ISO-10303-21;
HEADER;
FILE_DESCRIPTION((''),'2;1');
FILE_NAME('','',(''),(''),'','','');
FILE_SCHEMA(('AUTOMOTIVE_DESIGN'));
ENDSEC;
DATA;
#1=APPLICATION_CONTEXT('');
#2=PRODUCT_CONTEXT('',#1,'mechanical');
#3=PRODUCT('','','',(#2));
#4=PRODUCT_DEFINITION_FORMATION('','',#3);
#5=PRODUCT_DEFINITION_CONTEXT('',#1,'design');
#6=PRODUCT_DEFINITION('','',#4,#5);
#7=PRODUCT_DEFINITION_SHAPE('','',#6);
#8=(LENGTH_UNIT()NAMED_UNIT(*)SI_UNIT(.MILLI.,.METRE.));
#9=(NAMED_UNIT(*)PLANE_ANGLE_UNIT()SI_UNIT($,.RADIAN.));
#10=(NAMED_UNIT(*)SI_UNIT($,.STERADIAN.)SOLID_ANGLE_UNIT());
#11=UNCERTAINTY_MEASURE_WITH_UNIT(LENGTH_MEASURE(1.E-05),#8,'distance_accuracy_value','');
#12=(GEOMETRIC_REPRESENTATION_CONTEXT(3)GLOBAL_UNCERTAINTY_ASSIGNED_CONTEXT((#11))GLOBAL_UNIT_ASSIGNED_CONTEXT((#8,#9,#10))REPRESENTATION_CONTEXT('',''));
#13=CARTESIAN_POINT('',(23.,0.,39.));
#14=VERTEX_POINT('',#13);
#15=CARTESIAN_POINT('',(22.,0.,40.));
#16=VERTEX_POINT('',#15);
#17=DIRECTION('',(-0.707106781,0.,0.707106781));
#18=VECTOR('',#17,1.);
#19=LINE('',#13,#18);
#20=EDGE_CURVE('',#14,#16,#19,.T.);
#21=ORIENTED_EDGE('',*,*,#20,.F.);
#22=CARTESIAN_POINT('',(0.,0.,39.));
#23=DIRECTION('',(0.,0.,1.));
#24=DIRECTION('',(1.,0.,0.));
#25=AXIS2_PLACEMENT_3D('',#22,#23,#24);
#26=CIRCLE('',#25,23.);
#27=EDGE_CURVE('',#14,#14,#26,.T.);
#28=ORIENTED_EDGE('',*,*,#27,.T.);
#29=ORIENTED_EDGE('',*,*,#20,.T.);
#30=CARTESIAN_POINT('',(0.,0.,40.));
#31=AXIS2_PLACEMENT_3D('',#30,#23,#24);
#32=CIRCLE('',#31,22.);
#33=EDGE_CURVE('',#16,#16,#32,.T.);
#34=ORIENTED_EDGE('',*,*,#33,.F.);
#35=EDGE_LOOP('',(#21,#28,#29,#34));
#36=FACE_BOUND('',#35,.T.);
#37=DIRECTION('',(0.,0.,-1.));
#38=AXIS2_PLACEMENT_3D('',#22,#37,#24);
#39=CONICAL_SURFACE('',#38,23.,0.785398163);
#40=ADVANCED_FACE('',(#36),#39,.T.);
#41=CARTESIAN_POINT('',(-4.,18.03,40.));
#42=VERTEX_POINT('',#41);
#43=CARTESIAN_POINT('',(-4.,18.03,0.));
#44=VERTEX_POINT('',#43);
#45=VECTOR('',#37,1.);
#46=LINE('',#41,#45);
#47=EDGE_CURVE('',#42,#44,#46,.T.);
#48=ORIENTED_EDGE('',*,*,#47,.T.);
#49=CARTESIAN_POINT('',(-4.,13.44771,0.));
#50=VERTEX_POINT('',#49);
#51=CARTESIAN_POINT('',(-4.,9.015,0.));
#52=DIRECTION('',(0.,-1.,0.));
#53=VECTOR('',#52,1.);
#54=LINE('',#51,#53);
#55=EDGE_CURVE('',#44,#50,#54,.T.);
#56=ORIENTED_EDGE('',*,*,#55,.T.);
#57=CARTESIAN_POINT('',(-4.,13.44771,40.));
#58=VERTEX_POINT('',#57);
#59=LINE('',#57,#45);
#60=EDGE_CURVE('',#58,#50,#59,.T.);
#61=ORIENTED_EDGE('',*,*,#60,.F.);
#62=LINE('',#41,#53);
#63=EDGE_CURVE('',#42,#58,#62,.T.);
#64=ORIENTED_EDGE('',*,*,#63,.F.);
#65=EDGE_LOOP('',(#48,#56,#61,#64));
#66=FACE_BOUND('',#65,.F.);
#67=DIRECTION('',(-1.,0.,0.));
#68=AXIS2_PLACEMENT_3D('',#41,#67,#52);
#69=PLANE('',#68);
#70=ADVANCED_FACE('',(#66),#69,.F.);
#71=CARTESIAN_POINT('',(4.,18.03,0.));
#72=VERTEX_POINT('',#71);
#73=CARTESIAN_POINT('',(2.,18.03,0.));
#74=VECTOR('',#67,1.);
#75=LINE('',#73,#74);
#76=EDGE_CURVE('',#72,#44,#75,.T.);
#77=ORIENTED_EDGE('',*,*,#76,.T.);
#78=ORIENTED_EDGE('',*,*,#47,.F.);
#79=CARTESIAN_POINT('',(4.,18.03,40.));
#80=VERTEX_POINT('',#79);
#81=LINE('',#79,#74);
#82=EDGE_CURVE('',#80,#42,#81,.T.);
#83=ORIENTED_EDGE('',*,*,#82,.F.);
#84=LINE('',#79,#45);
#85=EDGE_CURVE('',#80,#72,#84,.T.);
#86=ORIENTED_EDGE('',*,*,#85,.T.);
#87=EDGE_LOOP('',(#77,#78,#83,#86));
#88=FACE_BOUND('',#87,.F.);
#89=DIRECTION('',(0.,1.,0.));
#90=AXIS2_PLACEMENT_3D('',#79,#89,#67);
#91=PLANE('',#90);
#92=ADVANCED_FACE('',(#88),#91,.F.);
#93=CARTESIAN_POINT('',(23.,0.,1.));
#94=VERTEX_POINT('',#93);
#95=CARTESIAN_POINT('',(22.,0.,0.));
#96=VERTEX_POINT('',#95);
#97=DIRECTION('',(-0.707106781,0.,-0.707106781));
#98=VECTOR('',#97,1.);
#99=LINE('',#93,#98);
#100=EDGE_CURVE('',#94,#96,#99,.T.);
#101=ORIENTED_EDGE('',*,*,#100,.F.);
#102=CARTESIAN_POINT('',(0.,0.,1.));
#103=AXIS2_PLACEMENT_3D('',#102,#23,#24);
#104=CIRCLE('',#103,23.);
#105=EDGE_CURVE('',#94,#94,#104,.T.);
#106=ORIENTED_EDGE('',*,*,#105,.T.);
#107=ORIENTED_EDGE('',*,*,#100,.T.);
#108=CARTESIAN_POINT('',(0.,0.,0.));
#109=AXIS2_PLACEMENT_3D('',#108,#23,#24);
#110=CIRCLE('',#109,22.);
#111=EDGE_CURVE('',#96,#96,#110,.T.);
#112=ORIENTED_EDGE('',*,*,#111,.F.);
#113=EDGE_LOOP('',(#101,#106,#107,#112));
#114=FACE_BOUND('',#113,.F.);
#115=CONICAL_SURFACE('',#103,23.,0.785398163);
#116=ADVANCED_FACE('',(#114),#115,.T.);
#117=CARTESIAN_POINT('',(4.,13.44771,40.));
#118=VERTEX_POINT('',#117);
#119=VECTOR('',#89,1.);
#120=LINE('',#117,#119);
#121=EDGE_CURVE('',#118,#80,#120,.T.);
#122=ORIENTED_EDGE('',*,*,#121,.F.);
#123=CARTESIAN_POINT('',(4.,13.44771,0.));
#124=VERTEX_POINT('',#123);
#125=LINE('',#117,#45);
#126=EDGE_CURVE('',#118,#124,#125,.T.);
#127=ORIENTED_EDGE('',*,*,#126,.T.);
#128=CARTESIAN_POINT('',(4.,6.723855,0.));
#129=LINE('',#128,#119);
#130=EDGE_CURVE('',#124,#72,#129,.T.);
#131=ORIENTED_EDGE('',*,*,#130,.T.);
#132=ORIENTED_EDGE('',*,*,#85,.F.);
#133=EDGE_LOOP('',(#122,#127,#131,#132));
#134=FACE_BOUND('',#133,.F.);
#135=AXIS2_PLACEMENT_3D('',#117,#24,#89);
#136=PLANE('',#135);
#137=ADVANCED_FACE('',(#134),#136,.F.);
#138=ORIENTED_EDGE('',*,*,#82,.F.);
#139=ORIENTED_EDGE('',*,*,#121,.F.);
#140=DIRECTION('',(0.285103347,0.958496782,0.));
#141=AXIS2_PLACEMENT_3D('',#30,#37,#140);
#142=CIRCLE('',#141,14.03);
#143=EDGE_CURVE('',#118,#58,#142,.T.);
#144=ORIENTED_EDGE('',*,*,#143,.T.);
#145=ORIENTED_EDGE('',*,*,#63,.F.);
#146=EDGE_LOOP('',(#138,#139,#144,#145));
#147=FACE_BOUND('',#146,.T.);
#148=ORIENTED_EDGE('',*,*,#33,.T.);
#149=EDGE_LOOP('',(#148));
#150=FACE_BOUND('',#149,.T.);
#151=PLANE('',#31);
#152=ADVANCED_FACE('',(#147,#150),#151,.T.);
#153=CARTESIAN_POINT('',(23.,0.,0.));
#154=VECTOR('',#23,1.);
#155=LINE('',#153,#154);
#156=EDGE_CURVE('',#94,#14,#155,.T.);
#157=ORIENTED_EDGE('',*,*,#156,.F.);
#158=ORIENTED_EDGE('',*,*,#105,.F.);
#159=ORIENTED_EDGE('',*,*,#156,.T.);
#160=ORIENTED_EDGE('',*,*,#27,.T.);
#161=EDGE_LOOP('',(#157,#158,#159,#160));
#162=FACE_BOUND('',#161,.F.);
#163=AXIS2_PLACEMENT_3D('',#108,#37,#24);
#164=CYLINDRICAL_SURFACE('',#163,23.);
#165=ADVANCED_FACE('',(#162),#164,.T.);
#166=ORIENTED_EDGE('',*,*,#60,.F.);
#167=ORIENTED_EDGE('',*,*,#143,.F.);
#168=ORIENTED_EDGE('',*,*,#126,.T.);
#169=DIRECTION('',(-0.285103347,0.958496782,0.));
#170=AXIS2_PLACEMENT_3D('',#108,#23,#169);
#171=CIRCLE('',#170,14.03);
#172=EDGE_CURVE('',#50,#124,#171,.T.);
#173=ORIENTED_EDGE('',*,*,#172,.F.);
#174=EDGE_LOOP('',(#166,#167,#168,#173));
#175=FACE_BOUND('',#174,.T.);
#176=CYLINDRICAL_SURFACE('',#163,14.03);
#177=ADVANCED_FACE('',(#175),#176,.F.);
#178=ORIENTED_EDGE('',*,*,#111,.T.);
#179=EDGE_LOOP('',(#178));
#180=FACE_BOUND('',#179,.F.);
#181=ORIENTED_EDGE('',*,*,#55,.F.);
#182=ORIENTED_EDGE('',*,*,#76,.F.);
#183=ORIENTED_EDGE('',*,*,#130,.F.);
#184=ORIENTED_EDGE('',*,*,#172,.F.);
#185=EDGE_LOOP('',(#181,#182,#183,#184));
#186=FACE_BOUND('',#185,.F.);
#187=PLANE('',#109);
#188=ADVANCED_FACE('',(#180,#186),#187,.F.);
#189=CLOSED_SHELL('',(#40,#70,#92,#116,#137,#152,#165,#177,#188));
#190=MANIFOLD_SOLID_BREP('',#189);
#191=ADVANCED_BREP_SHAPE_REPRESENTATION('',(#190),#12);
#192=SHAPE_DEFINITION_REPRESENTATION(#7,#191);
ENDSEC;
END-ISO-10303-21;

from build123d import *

# Parameters (mm, degrees)
F0_R     = 23
F0_R_2   = 14.03
F1_DEPTH = 40
F3_DEPTH = 40.001
F4_SIZE  = 1


with BuildPart() as f1:
    # F0 (on Top) → F1 (new body)
    with BuildSketch(Plane.XY):
        Circle(F0_R)
        Circle(F0_R_2, mode=Mode.SUBTRACT)
    extrude(amount=F1_DEPTH)

    # F2 (on face) → F3 (cut, through all)
    with BuildSketch(Plane.XY.offset(40)):
        with BuildLine():
            Line((4, 13.44771), (4, 18.03))
            Line((4, 18.03), (-4, 18.03))
            Line((-4, 18.03), (-4, 13.44771))
            ThreePointArc((-4, 13.44771), (0, 14.03), (4, 13.44771))
        make_face()
    extrude(amount=-F3_DEPTH, mode=Mode.SUBTRACT)

    # F4
    f4_edges = [f1.edges().sort_by_distance(p)[0] for p in [
        (-23, 0, 40),
        (-23, 0, 0),
    ]]
    chamfer(f4_edges, length=F4_SIZE)


solid = f1.part
